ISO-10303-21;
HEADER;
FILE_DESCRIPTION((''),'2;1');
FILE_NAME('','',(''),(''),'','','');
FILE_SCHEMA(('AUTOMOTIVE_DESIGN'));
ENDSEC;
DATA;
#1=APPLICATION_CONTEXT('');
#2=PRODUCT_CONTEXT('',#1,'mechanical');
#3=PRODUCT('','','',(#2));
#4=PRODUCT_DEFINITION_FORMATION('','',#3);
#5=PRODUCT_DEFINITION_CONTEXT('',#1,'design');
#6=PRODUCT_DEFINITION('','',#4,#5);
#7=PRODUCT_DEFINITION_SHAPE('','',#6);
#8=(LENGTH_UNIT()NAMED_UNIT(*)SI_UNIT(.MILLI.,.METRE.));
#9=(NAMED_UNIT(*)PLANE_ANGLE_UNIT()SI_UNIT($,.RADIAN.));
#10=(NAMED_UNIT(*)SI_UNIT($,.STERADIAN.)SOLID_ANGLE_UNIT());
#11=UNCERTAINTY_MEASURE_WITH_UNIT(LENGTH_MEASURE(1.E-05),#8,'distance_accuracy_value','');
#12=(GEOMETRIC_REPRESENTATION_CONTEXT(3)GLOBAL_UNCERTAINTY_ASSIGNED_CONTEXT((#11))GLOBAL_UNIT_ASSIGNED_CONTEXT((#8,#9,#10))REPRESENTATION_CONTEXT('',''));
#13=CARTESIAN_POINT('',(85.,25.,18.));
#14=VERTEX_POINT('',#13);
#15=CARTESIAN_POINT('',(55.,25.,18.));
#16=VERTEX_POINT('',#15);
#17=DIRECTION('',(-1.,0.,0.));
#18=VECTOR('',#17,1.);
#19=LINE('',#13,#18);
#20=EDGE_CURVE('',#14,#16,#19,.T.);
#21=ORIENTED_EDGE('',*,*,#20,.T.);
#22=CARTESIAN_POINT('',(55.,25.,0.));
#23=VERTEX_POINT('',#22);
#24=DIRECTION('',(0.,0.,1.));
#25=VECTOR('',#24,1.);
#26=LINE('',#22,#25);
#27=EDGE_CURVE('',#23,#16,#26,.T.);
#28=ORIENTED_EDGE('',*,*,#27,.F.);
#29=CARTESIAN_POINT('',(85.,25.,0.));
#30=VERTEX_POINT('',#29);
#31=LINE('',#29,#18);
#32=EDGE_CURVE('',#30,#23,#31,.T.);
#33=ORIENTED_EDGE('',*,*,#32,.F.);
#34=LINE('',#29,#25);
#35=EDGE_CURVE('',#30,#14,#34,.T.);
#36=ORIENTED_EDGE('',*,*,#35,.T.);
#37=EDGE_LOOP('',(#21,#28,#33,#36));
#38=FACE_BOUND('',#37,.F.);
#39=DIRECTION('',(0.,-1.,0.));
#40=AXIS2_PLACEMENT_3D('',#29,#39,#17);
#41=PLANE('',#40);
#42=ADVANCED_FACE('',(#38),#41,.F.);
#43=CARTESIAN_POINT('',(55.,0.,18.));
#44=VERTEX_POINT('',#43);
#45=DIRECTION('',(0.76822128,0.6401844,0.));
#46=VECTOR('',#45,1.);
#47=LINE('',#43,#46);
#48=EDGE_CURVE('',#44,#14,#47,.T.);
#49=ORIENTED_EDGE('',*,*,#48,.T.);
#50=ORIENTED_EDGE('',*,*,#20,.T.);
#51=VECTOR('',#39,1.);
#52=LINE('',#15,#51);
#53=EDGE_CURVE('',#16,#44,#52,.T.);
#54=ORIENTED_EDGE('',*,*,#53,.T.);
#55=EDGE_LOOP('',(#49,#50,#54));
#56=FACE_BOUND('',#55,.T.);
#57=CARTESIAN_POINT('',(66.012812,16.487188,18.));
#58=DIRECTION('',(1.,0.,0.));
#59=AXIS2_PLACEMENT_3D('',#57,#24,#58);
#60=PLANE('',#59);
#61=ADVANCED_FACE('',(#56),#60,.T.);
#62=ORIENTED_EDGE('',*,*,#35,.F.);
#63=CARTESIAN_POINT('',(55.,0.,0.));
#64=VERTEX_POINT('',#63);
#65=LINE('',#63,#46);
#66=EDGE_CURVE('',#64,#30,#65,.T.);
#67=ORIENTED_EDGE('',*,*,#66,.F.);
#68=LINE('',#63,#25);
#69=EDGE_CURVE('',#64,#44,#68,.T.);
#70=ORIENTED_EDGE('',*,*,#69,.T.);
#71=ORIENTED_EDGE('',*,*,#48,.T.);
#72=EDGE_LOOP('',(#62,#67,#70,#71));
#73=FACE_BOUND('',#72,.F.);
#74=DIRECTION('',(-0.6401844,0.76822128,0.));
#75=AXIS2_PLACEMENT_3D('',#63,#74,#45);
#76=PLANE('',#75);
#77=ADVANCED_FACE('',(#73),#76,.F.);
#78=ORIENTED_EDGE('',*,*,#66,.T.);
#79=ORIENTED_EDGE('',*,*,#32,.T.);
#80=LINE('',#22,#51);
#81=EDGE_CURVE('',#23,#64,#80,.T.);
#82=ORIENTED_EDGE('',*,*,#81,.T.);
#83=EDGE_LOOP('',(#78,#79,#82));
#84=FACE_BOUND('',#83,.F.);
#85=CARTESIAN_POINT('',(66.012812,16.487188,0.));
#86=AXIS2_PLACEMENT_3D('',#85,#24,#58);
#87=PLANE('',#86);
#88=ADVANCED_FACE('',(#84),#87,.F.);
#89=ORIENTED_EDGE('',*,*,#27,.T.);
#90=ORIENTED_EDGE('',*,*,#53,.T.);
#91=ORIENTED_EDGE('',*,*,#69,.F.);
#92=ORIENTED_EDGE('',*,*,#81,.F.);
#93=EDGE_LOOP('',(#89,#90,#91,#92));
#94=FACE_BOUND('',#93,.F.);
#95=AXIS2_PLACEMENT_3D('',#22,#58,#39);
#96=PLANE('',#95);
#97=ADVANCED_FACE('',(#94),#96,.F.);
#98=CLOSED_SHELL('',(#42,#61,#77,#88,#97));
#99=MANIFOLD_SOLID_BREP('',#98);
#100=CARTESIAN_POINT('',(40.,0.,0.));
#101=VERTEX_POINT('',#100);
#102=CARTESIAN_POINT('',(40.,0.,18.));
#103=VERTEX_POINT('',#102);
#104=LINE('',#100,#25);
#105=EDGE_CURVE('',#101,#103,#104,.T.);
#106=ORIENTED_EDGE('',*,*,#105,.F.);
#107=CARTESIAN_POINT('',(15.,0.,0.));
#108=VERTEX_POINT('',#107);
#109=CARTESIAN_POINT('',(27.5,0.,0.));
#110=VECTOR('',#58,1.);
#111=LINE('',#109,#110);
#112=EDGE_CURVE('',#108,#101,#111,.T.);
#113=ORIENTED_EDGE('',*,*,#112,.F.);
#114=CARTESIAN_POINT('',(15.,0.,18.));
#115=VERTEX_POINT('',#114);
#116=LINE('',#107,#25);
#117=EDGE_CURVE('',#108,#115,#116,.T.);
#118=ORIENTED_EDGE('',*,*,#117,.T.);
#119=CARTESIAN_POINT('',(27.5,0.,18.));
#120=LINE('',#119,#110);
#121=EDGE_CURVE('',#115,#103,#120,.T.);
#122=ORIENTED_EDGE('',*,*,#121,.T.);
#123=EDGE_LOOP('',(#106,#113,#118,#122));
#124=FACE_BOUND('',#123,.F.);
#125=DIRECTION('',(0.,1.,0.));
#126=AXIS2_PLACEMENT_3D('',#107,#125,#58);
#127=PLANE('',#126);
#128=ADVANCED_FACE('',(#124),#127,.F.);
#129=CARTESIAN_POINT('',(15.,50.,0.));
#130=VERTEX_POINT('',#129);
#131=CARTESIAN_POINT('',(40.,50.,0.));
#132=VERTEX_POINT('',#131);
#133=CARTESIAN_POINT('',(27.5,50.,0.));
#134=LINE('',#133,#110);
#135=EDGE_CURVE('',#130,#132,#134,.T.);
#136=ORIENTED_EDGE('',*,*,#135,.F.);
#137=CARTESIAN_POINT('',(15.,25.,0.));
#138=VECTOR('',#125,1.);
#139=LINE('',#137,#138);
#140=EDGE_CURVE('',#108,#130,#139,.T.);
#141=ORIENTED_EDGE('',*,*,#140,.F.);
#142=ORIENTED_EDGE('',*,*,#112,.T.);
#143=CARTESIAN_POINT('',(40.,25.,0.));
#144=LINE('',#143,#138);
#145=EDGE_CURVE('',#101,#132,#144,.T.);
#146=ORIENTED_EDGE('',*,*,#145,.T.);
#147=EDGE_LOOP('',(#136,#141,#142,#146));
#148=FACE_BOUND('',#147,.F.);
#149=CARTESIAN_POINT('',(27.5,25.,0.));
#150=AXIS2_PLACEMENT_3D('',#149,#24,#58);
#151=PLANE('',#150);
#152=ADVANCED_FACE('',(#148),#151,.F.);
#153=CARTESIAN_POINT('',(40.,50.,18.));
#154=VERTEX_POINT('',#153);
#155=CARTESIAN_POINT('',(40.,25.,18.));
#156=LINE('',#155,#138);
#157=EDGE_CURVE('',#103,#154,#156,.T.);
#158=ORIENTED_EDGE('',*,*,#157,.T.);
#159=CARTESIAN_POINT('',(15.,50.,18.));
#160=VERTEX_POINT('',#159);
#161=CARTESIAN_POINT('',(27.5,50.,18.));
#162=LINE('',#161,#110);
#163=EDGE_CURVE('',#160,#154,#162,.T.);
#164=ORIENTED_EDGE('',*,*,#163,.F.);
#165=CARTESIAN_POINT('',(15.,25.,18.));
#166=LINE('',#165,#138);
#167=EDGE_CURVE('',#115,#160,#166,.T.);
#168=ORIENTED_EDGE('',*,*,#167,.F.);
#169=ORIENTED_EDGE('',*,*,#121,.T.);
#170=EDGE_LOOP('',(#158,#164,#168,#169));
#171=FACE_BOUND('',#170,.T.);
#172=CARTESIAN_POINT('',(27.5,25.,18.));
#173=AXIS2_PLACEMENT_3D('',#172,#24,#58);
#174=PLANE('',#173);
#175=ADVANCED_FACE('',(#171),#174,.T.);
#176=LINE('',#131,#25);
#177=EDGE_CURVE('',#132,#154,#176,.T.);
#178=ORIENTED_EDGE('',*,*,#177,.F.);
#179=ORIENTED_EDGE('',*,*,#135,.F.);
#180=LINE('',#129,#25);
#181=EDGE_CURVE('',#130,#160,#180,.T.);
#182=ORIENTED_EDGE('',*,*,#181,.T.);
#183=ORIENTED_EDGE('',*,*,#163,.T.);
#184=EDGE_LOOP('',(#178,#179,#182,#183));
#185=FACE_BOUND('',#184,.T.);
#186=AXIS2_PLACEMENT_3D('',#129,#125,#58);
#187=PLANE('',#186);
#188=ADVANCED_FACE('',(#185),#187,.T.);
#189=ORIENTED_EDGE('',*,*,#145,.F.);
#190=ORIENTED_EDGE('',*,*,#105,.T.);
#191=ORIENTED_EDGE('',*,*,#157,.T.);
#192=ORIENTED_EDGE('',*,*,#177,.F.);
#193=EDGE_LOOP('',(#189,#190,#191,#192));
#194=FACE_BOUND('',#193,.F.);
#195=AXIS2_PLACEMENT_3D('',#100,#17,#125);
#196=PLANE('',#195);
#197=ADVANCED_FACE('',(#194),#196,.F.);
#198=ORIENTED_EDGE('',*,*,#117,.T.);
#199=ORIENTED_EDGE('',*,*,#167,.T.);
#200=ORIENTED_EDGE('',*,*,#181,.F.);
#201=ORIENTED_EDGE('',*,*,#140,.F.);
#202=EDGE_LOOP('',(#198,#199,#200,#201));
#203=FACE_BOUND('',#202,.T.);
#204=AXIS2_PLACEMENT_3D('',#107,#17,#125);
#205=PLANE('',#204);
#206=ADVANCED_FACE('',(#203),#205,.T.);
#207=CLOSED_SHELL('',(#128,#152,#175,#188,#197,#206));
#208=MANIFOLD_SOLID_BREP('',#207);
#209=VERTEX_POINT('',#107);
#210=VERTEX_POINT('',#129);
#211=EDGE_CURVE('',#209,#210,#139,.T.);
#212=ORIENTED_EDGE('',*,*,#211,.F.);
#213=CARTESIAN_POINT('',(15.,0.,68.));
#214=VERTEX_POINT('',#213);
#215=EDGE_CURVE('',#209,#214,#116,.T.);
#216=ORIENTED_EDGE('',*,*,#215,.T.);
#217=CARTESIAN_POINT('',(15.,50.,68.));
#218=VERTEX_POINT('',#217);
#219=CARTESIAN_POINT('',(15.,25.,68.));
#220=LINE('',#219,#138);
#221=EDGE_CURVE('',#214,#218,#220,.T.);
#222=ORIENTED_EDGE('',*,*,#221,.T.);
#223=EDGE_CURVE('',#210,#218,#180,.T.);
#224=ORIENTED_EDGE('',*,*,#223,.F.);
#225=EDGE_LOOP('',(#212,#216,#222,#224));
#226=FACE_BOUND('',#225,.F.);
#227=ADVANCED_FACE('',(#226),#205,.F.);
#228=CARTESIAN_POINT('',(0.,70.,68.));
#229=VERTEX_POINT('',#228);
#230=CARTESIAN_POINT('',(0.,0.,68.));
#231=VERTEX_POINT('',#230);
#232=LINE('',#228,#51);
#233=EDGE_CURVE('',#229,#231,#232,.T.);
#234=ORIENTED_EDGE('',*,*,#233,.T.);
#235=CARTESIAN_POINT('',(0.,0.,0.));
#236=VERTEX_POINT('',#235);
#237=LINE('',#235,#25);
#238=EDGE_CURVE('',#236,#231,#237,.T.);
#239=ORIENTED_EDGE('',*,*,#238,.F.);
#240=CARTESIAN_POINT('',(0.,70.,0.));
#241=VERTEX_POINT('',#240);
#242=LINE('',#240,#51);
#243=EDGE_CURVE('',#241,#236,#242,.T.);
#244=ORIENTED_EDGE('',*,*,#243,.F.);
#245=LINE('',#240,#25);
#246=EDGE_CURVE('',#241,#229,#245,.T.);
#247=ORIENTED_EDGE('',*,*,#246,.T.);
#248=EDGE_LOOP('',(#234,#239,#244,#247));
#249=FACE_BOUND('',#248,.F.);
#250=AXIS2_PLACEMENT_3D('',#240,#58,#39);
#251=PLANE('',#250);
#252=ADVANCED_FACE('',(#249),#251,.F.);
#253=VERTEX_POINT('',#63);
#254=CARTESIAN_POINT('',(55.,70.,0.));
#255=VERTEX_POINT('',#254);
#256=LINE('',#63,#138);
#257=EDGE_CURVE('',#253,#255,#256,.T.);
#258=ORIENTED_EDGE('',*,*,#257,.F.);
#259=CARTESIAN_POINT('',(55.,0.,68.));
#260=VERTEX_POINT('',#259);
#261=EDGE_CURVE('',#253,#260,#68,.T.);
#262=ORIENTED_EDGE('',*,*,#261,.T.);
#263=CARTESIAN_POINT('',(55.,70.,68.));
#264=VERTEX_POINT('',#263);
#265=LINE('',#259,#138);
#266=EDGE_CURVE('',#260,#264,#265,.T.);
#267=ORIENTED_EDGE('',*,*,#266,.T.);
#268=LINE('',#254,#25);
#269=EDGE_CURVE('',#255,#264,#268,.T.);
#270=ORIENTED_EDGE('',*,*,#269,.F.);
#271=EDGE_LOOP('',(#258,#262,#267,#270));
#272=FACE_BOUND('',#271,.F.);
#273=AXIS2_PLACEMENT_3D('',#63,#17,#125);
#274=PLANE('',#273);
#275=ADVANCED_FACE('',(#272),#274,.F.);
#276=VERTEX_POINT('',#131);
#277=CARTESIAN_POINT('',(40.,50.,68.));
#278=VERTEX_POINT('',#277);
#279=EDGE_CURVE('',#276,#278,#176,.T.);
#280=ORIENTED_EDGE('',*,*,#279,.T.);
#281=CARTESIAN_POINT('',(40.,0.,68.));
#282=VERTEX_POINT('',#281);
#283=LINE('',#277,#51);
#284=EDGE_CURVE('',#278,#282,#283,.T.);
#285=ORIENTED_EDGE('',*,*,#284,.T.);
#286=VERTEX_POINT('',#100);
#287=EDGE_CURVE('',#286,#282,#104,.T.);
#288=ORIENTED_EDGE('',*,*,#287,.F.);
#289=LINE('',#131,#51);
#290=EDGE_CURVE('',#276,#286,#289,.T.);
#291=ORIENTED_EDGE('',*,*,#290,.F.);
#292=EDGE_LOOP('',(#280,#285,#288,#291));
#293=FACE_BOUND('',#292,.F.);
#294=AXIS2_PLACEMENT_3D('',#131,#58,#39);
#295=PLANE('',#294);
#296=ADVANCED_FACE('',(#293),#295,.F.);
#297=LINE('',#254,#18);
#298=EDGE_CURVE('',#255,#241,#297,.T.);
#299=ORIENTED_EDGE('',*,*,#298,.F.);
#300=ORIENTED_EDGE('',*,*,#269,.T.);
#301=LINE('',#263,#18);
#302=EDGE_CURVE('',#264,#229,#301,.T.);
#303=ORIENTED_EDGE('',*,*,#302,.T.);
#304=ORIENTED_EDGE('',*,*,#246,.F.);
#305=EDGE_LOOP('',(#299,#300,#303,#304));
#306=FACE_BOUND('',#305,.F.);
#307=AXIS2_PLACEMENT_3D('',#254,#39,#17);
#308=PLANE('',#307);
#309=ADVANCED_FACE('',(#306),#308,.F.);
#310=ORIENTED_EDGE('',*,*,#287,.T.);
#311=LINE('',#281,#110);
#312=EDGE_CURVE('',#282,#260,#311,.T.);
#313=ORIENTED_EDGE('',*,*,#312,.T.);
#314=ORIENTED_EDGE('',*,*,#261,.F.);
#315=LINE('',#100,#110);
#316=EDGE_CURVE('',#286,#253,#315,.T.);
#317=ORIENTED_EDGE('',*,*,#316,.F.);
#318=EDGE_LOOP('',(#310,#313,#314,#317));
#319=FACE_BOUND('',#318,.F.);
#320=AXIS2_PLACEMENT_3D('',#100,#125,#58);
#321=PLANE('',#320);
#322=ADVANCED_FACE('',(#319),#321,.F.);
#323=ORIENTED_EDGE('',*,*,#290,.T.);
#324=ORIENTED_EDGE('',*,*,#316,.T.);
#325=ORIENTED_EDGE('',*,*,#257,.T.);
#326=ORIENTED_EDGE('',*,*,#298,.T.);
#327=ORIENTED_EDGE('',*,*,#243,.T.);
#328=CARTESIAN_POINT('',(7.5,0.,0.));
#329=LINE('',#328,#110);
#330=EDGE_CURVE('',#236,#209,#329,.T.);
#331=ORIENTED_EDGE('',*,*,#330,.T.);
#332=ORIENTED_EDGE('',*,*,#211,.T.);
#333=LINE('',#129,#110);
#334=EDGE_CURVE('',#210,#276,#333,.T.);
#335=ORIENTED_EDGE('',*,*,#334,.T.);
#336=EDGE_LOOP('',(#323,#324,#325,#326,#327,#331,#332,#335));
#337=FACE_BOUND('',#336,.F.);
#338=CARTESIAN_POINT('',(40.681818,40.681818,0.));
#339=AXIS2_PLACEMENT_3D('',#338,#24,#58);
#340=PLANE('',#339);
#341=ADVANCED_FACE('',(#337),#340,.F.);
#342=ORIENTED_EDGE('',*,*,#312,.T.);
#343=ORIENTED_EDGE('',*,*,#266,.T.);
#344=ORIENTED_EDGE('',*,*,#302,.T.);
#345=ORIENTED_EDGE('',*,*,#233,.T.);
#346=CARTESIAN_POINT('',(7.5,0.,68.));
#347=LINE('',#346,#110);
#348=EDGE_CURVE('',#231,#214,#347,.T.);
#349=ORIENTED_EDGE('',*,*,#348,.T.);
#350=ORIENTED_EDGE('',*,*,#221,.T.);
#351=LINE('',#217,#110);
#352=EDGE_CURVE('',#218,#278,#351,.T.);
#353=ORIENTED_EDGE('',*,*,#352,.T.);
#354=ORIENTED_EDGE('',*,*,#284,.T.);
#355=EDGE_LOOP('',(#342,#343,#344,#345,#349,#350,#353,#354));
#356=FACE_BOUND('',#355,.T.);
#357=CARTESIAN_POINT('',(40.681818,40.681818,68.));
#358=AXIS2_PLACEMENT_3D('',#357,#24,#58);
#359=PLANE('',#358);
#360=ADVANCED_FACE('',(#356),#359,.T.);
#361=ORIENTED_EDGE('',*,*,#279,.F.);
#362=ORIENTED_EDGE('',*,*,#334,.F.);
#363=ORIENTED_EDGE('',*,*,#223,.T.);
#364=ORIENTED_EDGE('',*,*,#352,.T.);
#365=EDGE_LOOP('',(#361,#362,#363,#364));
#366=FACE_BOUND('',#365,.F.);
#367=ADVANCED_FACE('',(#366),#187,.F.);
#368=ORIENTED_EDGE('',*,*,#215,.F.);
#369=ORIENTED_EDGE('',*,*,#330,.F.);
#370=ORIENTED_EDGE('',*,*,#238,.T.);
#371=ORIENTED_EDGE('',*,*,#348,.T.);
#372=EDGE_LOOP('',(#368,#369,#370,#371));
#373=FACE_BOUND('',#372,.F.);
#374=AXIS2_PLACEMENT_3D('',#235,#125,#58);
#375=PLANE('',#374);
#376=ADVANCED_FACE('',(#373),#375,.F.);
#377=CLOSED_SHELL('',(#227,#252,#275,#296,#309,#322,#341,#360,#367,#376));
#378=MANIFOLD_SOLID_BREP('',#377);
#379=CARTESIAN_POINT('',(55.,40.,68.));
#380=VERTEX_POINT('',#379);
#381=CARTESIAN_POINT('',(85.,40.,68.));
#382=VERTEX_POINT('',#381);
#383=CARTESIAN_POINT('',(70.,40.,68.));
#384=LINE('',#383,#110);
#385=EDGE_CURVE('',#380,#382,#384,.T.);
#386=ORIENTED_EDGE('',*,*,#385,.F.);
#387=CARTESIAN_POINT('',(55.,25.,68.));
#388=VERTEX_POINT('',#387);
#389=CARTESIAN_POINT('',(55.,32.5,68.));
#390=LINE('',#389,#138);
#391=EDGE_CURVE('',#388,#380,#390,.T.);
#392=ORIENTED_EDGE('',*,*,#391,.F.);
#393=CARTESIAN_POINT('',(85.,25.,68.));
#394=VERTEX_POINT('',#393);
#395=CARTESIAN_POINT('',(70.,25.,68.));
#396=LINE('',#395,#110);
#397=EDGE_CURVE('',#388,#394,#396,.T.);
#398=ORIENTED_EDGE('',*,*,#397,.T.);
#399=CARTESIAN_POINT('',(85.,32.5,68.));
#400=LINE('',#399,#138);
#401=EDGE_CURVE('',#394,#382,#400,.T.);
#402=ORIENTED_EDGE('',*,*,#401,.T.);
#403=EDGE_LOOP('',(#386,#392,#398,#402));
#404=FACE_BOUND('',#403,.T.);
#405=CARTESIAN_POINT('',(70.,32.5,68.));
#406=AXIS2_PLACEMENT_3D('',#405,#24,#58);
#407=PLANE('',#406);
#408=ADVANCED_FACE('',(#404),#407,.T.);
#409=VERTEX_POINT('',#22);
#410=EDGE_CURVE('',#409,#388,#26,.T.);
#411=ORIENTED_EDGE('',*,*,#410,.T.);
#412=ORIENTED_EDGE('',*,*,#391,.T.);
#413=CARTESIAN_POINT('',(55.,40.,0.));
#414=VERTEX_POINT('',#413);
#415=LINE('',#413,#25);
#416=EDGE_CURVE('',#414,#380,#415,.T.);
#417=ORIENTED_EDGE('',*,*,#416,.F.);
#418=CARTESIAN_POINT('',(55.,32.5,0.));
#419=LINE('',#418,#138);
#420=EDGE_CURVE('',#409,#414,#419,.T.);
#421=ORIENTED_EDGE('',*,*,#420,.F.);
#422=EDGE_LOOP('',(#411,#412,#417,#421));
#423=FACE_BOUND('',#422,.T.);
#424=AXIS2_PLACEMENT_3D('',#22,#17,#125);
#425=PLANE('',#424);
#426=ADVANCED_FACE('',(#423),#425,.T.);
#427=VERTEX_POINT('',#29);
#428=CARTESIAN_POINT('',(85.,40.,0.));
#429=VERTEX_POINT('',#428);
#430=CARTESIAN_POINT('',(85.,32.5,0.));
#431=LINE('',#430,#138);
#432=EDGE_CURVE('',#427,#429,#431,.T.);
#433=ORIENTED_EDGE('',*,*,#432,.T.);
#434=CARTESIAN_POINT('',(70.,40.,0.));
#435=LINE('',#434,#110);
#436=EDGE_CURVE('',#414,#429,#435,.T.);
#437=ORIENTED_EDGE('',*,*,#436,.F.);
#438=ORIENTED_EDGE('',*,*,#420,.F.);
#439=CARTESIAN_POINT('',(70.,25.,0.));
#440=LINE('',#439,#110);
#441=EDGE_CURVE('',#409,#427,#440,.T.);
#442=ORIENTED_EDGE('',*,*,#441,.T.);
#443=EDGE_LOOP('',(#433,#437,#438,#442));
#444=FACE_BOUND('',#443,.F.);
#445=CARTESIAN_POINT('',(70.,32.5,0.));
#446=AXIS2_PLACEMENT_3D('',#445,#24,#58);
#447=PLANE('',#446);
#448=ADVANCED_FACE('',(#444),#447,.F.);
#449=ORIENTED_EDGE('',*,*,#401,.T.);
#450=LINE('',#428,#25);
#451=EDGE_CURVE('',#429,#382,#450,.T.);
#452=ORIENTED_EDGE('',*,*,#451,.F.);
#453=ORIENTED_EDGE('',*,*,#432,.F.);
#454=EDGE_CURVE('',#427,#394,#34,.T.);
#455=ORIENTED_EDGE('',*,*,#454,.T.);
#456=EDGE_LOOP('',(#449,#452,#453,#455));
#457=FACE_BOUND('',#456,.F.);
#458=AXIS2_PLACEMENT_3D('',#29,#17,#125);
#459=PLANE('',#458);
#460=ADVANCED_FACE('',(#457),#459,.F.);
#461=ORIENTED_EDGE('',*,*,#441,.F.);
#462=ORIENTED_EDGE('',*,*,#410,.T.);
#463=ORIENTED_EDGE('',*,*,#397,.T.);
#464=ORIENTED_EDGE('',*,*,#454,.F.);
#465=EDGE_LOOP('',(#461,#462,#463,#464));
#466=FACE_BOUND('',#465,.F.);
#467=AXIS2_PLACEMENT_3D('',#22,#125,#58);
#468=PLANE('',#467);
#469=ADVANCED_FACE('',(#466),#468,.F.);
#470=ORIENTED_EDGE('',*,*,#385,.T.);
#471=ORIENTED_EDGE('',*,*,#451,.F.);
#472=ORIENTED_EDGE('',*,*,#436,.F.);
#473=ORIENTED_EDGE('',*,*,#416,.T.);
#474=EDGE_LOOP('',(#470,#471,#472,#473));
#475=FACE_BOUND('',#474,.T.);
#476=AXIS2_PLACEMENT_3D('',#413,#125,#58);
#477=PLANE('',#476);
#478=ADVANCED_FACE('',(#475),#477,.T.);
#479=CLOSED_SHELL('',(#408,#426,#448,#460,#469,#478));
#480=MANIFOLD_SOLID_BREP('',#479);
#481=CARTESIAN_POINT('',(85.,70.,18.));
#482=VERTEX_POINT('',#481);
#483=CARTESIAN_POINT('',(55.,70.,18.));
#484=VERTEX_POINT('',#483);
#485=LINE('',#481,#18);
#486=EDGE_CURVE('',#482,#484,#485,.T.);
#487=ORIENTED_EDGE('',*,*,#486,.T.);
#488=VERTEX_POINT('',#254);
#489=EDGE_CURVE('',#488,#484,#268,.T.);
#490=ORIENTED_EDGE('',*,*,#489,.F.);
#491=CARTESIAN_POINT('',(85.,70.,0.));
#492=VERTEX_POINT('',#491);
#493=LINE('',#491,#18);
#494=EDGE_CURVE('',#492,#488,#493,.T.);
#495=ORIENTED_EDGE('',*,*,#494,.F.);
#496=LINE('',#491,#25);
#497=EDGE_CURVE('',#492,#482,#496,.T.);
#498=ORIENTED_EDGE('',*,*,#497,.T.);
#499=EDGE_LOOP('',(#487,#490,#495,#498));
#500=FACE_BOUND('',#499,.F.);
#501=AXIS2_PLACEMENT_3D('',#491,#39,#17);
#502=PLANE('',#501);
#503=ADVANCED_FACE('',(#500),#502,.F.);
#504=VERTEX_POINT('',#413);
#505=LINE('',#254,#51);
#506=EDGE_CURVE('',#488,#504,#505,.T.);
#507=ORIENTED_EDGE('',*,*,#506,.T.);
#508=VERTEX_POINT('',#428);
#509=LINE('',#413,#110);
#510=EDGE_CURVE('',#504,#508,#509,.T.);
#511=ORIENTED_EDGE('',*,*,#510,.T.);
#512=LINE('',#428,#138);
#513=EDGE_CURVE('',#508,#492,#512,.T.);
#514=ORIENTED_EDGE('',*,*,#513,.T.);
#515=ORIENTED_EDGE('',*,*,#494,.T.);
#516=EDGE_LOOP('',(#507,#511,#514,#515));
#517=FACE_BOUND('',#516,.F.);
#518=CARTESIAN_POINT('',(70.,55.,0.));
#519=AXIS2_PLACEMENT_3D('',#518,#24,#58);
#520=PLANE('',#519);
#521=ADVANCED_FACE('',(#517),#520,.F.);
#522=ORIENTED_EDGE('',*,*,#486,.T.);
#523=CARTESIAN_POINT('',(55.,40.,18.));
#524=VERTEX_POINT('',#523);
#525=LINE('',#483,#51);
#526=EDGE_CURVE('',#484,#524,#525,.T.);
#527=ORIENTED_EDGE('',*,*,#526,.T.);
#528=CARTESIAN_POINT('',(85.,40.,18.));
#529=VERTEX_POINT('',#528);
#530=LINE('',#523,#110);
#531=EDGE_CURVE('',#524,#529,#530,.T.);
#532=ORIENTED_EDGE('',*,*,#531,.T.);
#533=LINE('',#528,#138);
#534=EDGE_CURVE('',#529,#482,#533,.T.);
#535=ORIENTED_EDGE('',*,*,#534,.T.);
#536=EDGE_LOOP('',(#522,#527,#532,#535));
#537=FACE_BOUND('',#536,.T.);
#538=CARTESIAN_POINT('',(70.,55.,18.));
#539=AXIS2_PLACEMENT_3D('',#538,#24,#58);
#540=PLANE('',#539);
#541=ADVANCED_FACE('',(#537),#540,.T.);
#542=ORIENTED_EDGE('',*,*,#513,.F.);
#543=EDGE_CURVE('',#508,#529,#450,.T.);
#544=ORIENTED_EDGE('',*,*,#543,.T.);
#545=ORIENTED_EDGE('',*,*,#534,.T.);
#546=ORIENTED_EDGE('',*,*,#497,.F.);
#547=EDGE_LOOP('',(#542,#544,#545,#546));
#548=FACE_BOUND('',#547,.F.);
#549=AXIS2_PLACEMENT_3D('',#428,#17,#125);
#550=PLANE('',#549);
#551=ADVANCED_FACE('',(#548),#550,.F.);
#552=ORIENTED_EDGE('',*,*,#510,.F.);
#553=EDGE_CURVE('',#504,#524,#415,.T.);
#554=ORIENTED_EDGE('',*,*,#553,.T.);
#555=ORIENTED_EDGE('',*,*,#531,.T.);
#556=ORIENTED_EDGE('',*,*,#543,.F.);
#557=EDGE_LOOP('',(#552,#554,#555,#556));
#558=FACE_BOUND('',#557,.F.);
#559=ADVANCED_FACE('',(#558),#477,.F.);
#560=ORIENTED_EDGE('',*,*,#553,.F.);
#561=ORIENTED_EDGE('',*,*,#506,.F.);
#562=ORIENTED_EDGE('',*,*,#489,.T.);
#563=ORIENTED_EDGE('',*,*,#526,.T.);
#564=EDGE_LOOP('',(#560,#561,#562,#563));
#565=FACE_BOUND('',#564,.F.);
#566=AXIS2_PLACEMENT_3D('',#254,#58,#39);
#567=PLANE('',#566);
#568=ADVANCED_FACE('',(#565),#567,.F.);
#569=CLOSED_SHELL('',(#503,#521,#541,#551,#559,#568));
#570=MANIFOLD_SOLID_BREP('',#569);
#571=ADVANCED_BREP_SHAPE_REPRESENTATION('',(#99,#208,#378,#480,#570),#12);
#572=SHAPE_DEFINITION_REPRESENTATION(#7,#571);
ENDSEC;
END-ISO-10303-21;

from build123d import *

# Parameters (mm, degrees)
F0_W     = 25
F0_H     = 50
F1_DEPTH = 18
F0_W_2   = 15
F0_H_2   = 20
F2_DEPTH = 68
F4_W     = 30
F4_H     = 15
F5_DEPTH = 68


with BuildPart() as f1:
    # F0 (on Top) → F1 (new body)
    with BuildSketch(Plane.XY):
        with Locations((27.5, 25)):
            Rectangle(F0_W, F0_H)
        Polygon((55, 25), (55, 0), (85, 25), align=None)
        Polygon((85, 70), (55, 70), (55, 40), (85, 40), (85, 55), align=None)
    extrude(amount=F1_DEPTH)


with BuildPart() as f2:
    # F0 (on Top) → F2 (new body)
    with BuildSketch(Plane.XY):
        Polygon((15, 70), (15, 50), (40, 50), (40, 0), (55, 0), (55, 25), (55, 40), (55, 70), align=None)
        with Locations((7.5, 25)):
            Rectangle(F0_W_2, F0_H)
        with Locations((7.5, 60)):
            Rectangle(F0_W_2, F0_H_2)
    extrude(amount=F2_DEPTH)


with BuildPart() as f5:
    # F4 (on face) → F5 (new body)
    with BuildSketch(Plane.XY):
        with Locations((70, 32.5)):
            Rectangle(F4_W, F4_H)
    extrude(amount=F5_DEPTH)


solid = Compound([f1.part, f2.part, f5.part])
